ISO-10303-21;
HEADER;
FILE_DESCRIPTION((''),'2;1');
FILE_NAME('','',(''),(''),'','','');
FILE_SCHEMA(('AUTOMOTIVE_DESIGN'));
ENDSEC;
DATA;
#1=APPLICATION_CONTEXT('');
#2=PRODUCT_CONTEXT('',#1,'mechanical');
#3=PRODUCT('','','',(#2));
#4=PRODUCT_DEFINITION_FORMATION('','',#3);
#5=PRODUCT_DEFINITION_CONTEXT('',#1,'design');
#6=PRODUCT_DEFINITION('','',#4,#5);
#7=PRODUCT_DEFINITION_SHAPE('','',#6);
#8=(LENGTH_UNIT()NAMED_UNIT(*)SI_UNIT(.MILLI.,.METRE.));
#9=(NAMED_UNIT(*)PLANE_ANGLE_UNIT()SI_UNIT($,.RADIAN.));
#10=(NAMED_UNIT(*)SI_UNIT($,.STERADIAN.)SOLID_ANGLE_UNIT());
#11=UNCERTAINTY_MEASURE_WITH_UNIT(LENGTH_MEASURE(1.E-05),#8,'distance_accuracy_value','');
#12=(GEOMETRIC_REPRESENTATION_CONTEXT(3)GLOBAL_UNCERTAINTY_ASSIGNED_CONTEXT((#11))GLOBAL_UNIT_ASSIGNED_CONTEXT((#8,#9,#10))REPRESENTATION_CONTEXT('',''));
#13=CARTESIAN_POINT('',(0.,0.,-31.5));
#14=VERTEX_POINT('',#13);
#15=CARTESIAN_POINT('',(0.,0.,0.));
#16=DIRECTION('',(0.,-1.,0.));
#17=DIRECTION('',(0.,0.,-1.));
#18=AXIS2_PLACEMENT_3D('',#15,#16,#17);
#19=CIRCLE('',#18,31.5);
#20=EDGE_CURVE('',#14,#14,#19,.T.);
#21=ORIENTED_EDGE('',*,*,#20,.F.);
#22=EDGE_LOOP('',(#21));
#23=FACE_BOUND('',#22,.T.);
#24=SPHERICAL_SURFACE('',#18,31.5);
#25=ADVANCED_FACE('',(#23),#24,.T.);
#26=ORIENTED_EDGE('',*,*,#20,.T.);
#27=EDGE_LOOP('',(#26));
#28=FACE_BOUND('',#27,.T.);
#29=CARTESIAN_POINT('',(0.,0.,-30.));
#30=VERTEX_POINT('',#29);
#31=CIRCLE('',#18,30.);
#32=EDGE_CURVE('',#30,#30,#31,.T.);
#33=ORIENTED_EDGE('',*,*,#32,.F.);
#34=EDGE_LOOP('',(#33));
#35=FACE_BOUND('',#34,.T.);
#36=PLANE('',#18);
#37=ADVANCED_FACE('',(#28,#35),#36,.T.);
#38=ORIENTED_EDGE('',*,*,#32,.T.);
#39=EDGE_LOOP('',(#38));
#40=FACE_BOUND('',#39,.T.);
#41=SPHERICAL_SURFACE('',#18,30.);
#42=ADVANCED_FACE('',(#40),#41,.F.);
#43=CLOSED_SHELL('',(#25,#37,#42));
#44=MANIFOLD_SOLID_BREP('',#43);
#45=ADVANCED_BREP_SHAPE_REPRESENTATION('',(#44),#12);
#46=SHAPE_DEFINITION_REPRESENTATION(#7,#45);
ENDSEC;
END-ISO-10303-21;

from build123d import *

# Parameters (mm, degrees)
REVOLVE2_ANGLE = 180


with BuildPart() as part:
    # Sketch1 → Revolve2 (revolve)
    with BuildSketch(Plane(origin=(0, 0, 0), x_dir=(1, 0, 0), z_dir=(0, 1, 0))):
        with BuildLine():
            ThreePointArc((-30, 0), (0, 30), (30, 0))
            Line((30, 0), (31.5, 0))
            ThreePointArc((31.5, 0), (0, 31.5), (-31.5, 0))
            Line((-31.5, 0), (-30, 0))
        make_face()
    revolve(axis=Axis((-31.5, 0, 0), (1, 0, 0)), revolution_arc=REVOLVE2_ANGLE)


solid = part.part
